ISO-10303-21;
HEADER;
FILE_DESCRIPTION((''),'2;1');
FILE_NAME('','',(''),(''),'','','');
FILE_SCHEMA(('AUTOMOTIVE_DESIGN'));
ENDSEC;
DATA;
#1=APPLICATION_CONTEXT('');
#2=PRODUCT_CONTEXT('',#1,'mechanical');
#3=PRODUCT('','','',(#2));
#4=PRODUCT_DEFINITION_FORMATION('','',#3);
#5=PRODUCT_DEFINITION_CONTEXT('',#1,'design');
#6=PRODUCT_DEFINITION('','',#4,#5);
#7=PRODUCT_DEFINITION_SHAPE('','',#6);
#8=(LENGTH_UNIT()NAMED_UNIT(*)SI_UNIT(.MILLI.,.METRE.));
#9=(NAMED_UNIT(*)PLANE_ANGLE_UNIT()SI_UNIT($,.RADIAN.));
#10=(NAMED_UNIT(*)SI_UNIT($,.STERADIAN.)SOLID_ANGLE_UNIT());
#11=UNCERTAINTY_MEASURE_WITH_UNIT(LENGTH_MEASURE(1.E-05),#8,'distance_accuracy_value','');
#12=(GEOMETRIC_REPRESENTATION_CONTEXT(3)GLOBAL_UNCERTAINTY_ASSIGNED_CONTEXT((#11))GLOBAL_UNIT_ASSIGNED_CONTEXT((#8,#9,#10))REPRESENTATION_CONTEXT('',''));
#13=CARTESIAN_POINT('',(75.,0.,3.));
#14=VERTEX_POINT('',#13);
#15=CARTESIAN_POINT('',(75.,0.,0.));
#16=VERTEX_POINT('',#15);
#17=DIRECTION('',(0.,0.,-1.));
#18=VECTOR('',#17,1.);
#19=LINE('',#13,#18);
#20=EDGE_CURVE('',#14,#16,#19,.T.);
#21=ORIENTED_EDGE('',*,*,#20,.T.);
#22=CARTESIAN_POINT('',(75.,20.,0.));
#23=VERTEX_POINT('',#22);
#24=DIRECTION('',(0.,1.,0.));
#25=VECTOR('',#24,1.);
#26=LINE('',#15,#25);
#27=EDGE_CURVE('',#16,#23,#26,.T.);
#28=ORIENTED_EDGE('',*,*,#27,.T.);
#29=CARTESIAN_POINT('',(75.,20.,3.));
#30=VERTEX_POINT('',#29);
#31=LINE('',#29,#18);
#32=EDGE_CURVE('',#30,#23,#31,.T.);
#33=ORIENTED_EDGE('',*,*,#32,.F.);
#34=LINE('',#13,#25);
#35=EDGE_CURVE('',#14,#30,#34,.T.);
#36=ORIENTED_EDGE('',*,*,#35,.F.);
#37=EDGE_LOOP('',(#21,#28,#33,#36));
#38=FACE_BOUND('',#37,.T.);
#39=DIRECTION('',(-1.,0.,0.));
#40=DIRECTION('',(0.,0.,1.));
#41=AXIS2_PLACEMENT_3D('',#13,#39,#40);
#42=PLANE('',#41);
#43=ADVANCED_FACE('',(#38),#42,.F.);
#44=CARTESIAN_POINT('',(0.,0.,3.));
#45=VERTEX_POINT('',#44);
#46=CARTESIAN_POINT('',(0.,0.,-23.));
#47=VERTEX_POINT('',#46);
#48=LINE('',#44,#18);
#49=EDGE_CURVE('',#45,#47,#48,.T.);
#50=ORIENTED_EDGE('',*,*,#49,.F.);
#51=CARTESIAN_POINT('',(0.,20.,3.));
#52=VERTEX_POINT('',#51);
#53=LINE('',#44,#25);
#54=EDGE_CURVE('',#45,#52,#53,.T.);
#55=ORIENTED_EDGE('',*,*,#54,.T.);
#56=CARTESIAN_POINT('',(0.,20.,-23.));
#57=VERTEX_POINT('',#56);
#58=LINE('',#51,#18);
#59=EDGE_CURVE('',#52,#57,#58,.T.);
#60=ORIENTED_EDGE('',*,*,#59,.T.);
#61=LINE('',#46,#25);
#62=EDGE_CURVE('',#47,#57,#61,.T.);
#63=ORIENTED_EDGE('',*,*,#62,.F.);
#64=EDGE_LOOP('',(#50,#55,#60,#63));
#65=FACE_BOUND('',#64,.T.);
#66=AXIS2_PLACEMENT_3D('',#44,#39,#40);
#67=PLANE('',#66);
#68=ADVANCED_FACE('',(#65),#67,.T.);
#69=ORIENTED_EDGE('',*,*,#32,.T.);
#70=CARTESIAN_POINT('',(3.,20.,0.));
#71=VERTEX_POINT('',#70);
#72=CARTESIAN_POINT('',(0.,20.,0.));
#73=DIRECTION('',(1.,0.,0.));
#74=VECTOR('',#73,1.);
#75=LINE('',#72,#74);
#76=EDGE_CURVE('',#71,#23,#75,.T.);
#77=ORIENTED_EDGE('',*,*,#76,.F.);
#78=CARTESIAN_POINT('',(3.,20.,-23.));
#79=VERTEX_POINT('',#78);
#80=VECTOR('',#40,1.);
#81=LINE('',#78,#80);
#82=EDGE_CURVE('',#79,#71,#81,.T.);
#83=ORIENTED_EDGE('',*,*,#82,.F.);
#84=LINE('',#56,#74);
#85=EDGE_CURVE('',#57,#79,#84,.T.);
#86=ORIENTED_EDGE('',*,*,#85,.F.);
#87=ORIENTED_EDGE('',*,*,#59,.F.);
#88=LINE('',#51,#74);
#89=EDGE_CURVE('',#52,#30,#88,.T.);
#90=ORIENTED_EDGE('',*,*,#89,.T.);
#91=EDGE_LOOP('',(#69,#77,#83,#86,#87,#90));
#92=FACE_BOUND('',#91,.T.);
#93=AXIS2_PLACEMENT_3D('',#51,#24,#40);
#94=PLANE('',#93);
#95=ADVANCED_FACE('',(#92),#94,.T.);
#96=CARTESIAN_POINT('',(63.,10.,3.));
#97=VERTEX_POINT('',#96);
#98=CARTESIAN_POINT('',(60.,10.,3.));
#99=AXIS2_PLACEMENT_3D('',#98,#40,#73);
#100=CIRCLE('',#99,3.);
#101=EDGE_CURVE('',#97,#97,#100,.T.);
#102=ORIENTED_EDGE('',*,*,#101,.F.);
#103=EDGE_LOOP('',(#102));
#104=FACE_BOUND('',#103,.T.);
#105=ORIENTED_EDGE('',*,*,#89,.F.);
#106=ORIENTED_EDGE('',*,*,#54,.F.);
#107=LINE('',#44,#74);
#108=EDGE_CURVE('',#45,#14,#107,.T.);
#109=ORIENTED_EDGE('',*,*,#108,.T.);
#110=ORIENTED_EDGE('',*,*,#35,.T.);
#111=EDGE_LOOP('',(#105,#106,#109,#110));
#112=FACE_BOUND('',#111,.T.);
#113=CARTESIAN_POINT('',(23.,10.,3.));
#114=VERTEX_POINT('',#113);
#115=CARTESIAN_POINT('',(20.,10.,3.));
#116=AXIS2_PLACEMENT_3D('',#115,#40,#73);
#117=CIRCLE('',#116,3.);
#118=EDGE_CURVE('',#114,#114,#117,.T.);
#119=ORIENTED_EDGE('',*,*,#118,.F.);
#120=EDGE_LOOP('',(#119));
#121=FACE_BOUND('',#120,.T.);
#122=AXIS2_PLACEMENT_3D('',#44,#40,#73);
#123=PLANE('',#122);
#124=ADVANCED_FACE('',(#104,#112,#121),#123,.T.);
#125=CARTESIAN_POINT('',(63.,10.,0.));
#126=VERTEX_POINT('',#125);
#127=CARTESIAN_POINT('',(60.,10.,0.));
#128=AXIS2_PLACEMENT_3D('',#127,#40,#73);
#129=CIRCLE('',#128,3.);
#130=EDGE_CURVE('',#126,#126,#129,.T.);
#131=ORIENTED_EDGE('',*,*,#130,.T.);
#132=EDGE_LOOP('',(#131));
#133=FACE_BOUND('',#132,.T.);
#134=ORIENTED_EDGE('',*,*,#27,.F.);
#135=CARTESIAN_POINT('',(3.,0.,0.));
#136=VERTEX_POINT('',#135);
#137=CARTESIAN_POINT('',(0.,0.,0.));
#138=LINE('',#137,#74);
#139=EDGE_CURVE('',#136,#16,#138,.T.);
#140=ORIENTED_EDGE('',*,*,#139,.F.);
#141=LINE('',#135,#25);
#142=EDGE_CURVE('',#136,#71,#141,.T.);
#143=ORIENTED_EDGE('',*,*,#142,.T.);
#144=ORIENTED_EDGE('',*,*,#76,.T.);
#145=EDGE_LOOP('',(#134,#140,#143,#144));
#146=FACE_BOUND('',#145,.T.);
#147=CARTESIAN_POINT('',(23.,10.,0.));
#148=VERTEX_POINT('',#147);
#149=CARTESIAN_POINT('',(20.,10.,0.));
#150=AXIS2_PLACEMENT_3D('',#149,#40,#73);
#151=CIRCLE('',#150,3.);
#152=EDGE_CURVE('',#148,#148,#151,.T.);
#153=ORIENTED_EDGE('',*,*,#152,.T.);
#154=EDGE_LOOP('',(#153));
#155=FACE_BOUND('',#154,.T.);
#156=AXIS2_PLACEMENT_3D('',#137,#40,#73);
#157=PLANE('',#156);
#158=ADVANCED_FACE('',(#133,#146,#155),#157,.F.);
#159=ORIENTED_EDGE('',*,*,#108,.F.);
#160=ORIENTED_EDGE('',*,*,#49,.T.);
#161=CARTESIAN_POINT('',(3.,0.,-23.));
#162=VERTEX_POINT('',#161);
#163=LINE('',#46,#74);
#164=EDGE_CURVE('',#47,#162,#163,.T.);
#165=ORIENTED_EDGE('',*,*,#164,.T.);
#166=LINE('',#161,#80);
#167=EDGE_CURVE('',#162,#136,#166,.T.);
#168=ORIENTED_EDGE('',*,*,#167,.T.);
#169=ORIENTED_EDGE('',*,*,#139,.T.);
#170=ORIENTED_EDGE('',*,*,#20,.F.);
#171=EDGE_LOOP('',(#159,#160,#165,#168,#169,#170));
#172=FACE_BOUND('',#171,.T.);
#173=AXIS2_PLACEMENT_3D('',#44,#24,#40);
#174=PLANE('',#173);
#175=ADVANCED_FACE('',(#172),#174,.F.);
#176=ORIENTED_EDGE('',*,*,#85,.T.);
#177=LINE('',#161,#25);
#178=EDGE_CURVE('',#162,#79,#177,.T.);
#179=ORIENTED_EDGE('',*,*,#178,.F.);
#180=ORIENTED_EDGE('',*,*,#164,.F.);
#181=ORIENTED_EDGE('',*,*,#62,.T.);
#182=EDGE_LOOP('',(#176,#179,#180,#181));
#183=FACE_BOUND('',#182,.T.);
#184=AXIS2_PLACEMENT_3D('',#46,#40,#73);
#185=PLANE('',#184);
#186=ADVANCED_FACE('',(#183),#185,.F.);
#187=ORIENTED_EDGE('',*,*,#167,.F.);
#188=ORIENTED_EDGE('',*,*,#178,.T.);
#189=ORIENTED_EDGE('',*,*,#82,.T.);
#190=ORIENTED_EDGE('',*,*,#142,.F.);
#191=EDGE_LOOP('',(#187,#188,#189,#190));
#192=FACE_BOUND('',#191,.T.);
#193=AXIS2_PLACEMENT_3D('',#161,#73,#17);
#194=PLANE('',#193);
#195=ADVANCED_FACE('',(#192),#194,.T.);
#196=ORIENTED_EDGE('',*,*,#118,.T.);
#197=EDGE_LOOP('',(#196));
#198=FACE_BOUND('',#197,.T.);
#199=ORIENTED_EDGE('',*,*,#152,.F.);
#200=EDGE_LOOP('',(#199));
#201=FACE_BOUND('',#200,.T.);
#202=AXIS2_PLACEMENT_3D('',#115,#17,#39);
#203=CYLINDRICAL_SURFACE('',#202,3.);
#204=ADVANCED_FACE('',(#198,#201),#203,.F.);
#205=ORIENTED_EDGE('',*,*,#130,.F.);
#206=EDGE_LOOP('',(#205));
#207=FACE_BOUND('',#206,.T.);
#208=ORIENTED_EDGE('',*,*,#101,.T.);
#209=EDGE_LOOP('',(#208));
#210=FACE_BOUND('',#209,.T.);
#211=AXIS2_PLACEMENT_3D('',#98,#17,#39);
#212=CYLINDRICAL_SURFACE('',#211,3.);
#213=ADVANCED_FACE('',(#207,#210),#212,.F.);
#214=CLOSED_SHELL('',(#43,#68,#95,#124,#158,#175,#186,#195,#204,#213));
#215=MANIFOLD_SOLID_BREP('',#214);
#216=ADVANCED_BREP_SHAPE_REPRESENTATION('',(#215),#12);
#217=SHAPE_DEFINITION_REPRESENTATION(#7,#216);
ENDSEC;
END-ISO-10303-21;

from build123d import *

# Parameters (mm, degrees)
SKETCH1_W           = 75
SKETCH1_H           = 20
SKETCH1_R           = 3
BOSS_EXTRUDE2_DEPTH = 3
SKETCH1_3_W         = 3
SKETCH1_3_H         = 20
BOSS_EXTRUDE3_DEPTH = 23


with BuildPart() as part:
    # Sketch1 → Boss-Extrude2 (new body)
    with BuildSketch(Plane.XY):
        with Locations((37.5, 10)):
            Rectangle(SKETCH1_W, SKETCH1_H)
        with Locations((60, 10)):
            Circle(SKETCH1_R, mode=Mode.SUBTRACT)
        with Locations((20, 10)):
            Circle(SKETCH1_R, mode=Mode.SUBTRACT)
    extrude(amount=BOSS_EXTRUDE2_DEPTH)

    # Sketch1<3> → Boss-Extrude3 (add)
    with BuildSketch(Plane.XY):
        with Locations((1.5, 10)):
            Rectangle(SKETCH1_3_W, SKETCH1_3_H)
    extrude(amount=-BOSS_EXTRUDE3_DEPTH)


solid = part.part
